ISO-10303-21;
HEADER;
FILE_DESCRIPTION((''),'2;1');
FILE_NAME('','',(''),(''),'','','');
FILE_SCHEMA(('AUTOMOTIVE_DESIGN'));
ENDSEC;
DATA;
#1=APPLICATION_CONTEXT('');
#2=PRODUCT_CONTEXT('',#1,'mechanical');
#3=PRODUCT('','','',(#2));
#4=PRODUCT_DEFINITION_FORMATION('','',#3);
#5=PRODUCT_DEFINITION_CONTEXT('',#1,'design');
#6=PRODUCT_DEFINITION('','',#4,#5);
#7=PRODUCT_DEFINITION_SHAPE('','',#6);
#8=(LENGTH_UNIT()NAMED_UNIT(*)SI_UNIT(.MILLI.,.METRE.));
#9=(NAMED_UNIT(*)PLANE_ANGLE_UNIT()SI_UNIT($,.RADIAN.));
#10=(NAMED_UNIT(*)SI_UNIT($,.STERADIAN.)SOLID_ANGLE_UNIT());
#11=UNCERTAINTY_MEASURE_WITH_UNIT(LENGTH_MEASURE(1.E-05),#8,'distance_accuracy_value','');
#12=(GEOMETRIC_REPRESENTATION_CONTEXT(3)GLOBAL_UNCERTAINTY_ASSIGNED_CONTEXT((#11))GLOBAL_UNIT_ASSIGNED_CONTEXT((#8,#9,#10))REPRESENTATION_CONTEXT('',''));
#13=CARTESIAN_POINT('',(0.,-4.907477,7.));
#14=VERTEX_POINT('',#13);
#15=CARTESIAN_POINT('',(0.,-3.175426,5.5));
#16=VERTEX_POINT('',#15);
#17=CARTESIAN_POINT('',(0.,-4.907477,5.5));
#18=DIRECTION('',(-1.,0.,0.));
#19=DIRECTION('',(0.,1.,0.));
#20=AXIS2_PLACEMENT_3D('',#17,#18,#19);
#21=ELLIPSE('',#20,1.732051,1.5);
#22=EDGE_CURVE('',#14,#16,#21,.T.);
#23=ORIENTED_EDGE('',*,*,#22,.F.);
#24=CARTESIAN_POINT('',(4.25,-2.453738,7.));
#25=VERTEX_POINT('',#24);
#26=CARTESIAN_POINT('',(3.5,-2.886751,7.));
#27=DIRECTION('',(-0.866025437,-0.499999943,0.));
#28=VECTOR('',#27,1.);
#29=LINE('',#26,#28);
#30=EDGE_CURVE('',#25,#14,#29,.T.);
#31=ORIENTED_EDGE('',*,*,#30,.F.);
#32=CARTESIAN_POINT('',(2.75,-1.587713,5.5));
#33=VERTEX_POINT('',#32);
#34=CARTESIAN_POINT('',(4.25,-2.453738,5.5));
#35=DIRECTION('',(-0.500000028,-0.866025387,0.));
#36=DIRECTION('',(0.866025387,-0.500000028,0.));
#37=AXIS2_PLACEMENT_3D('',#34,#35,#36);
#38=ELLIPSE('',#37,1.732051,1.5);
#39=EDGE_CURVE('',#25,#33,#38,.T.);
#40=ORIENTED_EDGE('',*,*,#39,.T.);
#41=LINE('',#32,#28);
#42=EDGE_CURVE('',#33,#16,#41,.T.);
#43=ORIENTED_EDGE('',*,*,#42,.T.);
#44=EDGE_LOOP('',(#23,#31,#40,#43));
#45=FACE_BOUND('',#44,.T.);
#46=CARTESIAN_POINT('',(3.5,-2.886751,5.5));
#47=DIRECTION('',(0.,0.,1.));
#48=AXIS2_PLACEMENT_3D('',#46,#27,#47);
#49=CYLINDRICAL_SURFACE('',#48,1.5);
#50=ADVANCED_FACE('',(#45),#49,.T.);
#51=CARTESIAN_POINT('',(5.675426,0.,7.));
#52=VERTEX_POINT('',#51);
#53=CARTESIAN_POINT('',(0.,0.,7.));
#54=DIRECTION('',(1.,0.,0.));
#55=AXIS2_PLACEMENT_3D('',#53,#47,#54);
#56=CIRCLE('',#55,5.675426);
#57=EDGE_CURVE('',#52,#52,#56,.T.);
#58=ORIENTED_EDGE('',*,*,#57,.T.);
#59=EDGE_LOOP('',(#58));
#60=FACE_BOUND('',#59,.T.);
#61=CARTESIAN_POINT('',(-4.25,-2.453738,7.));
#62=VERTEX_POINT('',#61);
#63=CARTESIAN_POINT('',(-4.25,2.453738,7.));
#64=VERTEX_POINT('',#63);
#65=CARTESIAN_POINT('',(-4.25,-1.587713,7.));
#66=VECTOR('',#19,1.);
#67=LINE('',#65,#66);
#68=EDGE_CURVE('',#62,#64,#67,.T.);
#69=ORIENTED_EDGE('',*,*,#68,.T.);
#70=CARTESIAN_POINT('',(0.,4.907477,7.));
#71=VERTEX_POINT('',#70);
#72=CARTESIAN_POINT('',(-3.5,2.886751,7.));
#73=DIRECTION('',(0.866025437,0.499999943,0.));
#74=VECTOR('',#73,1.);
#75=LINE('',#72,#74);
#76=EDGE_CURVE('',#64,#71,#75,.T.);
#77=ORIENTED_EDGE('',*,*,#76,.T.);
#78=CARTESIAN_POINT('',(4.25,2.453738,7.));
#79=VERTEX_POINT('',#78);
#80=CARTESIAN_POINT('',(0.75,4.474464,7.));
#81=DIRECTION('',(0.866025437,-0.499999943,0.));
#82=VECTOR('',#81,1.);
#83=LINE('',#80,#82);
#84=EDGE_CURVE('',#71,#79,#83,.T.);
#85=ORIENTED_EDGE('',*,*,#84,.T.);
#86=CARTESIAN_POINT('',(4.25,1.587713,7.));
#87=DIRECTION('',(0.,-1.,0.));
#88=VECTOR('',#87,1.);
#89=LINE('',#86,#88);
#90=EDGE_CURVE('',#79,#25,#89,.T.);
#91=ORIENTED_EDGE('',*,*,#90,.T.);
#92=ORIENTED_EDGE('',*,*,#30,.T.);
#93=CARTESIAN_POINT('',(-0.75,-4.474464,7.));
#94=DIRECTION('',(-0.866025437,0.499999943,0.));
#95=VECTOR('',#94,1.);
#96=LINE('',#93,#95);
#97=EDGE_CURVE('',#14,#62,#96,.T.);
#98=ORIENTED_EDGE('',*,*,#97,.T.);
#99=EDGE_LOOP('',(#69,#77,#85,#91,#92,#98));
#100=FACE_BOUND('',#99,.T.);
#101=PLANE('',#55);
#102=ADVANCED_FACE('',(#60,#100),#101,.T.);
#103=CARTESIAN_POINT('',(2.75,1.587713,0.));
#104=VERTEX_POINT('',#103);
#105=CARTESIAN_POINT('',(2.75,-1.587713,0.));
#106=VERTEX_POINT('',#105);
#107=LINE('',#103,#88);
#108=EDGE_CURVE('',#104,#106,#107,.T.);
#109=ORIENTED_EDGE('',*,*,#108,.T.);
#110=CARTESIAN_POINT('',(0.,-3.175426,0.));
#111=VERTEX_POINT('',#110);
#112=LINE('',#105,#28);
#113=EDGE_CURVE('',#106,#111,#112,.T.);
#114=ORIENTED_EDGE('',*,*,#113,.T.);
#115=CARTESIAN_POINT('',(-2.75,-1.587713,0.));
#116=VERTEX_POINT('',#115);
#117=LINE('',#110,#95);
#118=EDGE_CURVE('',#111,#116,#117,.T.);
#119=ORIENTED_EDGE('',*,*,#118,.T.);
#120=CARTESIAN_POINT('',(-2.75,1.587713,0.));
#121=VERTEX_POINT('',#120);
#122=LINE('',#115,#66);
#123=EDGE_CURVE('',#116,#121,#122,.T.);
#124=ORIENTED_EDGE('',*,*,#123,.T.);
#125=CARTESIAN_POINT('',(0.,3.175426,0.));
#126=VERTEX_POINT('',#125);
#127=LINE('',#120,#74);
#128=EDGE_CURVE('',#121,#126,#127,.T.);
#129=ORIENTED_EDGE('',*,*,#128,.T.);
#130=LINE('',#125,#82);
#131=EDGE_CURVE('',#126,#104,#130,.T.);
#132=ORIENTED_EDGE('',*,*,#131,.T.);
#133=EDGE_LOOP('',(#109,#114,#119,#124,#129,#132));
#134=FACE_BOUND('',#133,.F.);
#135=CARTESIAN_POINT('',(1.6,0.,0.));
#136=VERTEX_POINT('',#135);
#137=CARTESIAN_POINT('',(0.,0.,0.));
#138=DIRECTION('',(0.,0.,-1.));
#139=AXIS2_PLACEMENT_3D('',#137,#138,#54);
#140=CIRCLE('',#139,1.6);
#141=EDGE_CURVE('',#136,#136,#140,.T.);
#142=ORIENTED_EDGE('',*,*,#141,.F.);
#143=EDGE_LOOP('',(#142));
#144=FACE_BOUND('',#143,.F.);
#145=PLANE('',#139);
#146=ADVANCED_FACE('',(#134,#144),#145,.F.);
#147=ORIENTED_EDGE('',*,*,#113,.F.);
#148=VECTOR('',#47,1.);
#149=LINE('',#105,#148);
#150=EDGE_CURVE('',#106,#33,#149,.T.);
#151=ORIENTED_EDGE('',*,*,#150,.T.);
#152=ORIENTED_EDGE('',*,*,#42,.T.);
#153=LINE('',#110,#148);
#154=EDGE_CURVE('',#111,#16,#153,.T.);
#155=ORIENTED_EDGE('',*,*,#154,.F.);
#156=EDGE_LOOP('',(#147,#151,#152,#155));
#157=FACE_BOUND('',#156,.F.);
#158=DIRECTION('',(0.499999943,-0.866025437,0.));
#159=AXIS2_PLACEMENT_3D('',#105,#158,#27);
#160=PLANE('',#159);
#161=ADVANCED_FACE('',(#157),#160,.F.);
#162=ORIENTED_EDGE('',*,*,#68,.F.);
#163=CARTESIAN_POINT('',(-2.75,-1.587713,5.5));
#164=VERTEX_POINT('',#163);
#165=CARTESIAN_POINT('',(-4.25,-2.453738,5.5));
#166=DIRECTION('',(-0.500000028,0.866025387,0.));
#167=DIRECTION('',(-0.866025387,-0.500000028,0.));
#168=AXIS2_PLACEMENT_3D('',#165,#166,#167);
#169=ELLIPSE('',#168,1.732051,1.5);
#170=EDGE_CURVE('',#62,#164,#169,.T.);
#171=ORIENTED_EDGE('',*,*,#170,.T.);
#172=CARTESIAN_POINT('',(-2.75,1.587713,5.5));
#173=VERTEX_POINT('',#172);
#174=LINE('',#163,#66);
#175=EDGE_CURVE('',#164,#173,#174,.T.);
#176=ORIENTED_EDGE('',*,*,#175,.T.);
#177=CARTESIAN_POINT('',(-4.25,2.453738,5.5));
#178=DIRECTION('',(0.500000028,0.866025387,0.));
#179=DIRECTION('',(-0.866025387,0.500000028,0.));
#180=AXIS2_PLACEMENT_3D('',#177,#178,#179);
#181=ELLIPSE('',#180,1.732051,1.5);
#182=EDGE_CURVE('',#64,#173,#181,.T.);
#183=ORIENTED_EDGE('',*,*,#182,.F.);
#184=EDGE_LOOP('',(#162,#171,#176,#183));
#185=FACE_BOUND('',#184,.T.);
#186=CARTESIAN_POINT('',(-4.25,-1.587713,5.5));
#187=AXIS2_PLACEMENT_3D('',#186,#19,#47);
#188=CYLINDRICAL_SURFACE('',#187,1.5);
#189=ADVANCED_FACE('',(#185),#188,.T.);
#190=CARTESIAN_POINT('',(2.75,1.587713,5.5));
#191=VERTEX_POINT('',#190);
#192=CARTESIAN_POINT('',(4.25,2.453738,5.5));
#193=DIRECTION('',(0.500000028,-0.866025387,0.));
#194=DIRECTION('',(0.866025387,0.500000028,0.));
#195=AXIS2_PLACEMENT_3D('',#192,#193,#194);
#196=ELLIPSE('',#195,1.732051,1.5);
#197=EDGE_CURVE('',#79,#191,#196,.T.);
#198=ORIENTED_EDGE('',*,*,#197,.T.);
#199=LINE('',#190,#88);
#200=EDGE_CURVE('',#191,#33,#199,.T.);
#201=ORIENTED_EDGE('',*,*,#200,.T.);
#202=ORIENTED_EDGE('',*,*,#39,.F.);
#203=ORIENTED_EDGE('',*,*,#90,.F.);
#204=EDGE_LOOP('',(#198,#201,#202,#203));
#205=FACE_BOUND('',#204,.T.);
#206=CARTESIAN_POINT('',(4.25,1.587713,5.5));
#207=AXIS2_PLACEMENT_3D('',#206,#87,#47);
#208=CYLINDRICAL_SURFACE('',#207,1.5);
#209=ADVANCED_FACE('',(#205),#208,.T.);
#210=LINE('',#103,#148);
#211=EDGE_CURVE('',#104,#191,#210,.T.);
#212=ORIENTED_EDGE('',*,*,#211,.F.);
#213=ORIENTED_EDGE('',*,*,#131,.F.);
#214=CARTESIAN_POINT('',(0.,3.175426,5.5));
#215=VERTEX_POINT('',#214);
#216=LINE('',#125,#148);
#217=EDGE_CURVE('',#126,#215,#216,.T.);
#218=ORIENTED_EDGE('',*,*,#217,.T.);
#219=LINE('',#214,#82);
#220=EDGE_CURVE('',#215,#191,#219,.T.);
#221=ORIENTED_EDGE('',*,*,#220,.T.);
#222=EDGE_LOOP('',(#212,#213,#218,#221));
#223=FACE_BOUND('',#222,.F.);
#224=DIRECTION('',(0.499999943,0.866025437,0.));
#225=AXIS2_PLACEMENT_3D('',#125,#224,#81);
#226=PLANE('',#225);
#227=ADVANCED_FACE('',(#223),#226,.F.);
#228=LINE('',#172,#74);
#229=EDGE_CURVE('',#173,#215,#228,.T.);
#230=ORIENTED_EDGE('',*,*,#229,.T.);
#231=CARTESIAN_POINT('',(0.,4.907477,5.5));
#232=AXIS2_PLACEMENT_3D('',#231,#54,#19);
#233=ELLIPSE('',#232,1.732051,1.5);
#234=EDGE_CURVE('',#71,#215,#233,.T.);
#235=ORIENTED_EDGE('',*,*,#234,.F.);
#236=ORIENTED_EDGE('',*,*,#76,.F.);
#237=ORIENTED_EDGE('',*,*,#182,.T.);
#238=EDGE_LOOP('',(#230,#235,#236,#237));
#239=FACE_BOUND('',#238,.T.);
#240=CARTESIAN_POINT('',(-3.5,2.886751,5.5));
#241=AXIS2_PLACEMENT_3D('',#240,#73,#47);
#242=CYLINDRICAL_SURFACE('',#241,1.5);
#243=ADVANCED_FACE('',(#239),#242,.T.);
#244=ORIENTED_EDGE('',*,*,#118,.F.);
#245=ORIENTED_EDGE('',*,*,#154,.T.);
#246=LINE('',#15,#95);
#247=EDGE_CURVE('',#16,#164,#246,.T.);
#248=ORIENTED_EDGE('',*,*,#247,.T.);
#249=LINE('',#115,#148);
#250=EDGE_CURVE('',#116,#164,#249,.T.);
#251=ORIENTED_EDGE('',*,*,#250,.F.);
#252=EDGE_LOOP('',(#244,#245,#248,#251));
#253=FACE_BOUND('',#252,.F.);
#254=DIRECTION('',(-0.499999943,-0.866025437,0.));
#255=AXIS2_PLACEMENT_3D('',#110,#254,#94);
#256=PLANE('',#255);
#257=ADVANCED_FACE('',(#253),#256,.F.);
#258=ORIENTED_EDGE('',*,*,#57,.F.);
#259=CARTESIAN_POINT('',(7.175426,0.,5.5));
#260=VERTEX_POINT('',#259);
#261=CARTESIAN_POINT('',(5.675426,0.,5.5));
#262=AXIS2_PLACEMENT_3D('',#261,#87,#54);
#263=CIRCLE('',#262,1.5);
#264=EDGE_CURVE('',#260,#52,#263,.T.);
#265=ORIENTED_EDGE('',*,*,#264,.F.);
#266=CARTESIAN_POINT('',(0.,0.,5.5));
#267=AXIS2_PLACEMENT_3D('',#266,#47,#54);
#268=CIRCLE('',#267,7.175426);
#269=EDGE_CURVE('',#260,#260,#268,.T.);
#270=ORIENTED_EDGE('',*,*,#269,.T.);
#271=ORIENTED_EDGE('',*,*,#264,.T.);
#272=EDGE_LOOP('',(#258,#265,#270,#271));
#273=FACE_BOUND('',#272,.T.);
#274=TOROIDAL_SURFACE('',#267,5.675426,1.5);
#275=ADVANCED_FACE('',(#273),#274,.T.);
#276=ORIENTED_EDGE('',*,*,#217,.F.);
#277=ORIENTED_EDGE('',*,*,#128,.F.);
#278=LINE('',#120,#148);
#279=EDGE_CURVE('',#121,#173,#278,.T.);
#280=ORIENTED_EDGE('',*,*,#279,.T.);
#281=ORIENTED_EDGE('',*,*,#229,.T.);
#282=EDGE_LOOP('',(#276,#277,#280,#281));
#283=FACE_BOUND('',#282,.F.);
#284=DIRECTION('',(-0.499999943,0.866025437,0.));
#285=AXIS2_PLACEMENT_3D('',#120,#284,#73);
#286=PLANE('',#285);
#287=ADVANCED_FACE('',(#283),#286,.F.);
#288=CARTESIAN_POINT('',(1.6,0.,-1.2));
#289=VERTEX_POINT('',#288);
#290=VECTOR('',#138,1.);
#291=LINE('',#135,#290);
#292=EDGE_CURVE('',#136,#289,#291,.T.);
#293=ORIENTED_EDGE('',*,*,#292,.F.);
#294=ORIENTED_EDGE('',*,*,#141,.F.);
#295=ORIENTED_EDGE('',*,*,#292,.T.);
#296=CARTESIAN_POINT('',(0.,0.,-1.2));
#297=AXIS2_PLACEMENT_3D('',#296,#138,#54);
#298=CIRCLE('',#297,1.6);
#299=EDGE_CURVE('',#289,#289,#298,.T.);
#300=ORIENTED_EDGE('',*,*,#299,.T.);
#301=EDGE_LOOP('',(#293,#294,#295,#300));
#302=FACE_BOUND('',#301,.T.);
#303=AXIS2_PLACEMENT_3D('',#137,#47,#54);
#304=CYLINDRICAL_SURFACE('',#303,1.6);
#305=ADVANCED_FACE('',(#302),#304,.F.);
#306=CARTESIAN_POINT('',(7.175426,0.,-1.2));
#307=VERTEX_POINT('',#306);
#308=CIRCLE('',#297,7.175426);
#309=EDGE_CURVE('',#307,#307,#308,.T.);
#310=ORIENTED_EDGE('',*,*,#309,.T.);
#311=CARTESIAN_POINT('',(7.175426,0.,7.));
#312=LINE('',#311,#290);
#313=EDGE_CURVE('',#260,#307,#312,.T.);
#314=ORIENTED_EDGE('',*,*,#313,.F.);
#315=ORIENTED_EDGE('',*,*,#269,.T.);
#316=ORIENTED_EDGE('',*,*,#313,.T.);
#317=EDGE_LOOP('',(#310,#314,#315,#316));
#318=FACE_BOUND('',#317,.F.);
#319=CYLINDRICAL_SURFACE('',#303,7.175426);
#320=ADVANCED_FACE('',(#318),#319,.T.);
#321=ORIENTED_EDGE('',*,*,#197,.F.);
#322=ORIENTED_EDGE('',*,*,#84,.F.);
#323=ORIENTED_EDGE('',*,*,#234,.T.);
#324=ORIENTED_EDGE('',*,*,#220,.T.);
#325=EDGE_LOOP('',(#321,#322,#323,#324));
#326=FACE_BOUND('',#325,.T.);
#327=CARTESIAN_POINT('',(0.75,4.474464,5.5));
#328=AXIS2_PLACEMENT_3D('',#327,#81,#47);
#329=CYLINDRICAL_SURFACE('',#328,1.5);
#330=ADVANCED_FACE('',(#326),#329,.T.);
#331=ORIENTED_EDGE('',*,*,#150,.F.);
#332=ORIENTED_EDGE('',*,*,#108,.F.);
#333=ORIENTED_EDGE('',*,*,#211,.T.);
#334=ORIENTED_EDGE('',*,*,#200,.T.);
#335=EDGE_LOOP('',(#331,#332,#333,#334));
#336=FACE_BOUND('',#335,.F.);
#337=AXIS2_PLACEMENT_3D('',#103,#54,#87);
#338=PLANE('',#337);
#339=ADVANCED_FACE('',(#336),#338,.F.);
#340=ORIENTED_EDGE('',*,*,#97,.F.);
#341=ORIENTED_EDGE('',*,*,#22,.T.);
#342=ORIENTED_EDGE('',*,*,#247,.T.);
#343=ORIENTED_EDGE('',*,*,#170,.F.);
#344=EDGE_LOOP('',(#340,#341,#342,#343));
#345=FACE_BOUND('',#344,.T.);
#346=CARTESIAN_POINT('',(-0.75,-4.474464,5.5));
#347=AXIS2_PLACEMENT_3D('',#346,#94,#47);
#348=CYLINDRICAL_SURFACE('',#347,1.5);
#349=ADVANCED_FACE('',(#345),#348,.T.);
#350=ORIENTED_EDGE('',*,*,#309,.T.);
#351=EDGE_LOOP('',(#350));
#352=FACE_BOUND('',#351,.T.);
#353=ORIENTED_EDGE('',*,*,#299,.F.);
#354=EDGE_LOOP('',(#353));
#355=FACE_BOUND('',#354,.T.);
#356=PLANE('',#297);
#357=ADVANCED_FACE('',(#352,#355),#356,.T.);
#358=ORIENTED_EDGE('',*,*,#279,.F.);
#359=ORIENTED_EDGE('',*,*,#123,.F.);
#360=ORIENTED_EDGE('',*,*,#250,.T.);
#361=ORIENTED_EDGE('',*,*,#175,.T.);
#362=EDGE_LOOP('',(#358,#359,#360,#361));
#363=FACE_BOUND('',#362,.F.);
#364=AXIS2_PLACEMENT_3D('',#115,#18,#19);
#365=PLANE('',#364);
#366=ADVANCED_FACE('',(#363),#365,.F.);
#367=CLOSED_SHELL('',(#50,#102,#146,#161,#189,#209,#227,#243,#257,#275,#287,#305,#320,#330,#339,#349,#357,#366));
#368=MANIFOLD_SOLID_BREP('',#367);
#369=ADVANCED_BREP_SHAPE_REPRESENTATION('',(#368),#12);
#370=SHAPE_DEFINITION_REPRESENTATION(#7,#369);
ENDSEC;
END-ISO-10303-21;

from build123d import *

# Parameters (mm, degrees)
F0_R     = 7.175426
F1_DEPTH = 7
F2_R     = 7.175426
F2_R_2   = 1.6
F3_DEPTH = 1.2
F4_R     = 1.5


with BuildPart() as f1:
    # F0 (on Top) → F1 (new body)
    with BuildSketch(Plane.XY):
        Circle(F0_R)
        Polygon((0, -3.175426), (-2.75, -1.587713), (-2.75, 1.587713), (0, 3.175426), (2.75, 1.587713), (2.75, -1.587713), align=None, mode=Mode.SUBTRACT)
    extrude(amount=F1_DEPTH)

    # F2 (on face) → F3 (join)
    with BuildSketch(Plane(origin=(0, 0, 0), x_dir=(1, 0, 0), z_dir=(0, 0, -1))):
        Circle(F2_R)
        Circle(F2_R_2, mode=Mode.SUBTRACT)
    extrude(amount=F3_DEPTH)

    # F4
    f4_edges = [f1.edges().sort_by_distance(p)[0] for p in [
        (-7.175426, 0, 7),
        (-1.375, -2.38157, 7),
        (-2.75, 0, 7),
        (-1.375, 2.38157, 7),
        (1.375, 2.38157, 7),
        (2.75, 0, 7),
        (1.375, -2.38157, 7),
    ]]
    fillet(f4_edges, radius=F4_R)


solid = f1.part
